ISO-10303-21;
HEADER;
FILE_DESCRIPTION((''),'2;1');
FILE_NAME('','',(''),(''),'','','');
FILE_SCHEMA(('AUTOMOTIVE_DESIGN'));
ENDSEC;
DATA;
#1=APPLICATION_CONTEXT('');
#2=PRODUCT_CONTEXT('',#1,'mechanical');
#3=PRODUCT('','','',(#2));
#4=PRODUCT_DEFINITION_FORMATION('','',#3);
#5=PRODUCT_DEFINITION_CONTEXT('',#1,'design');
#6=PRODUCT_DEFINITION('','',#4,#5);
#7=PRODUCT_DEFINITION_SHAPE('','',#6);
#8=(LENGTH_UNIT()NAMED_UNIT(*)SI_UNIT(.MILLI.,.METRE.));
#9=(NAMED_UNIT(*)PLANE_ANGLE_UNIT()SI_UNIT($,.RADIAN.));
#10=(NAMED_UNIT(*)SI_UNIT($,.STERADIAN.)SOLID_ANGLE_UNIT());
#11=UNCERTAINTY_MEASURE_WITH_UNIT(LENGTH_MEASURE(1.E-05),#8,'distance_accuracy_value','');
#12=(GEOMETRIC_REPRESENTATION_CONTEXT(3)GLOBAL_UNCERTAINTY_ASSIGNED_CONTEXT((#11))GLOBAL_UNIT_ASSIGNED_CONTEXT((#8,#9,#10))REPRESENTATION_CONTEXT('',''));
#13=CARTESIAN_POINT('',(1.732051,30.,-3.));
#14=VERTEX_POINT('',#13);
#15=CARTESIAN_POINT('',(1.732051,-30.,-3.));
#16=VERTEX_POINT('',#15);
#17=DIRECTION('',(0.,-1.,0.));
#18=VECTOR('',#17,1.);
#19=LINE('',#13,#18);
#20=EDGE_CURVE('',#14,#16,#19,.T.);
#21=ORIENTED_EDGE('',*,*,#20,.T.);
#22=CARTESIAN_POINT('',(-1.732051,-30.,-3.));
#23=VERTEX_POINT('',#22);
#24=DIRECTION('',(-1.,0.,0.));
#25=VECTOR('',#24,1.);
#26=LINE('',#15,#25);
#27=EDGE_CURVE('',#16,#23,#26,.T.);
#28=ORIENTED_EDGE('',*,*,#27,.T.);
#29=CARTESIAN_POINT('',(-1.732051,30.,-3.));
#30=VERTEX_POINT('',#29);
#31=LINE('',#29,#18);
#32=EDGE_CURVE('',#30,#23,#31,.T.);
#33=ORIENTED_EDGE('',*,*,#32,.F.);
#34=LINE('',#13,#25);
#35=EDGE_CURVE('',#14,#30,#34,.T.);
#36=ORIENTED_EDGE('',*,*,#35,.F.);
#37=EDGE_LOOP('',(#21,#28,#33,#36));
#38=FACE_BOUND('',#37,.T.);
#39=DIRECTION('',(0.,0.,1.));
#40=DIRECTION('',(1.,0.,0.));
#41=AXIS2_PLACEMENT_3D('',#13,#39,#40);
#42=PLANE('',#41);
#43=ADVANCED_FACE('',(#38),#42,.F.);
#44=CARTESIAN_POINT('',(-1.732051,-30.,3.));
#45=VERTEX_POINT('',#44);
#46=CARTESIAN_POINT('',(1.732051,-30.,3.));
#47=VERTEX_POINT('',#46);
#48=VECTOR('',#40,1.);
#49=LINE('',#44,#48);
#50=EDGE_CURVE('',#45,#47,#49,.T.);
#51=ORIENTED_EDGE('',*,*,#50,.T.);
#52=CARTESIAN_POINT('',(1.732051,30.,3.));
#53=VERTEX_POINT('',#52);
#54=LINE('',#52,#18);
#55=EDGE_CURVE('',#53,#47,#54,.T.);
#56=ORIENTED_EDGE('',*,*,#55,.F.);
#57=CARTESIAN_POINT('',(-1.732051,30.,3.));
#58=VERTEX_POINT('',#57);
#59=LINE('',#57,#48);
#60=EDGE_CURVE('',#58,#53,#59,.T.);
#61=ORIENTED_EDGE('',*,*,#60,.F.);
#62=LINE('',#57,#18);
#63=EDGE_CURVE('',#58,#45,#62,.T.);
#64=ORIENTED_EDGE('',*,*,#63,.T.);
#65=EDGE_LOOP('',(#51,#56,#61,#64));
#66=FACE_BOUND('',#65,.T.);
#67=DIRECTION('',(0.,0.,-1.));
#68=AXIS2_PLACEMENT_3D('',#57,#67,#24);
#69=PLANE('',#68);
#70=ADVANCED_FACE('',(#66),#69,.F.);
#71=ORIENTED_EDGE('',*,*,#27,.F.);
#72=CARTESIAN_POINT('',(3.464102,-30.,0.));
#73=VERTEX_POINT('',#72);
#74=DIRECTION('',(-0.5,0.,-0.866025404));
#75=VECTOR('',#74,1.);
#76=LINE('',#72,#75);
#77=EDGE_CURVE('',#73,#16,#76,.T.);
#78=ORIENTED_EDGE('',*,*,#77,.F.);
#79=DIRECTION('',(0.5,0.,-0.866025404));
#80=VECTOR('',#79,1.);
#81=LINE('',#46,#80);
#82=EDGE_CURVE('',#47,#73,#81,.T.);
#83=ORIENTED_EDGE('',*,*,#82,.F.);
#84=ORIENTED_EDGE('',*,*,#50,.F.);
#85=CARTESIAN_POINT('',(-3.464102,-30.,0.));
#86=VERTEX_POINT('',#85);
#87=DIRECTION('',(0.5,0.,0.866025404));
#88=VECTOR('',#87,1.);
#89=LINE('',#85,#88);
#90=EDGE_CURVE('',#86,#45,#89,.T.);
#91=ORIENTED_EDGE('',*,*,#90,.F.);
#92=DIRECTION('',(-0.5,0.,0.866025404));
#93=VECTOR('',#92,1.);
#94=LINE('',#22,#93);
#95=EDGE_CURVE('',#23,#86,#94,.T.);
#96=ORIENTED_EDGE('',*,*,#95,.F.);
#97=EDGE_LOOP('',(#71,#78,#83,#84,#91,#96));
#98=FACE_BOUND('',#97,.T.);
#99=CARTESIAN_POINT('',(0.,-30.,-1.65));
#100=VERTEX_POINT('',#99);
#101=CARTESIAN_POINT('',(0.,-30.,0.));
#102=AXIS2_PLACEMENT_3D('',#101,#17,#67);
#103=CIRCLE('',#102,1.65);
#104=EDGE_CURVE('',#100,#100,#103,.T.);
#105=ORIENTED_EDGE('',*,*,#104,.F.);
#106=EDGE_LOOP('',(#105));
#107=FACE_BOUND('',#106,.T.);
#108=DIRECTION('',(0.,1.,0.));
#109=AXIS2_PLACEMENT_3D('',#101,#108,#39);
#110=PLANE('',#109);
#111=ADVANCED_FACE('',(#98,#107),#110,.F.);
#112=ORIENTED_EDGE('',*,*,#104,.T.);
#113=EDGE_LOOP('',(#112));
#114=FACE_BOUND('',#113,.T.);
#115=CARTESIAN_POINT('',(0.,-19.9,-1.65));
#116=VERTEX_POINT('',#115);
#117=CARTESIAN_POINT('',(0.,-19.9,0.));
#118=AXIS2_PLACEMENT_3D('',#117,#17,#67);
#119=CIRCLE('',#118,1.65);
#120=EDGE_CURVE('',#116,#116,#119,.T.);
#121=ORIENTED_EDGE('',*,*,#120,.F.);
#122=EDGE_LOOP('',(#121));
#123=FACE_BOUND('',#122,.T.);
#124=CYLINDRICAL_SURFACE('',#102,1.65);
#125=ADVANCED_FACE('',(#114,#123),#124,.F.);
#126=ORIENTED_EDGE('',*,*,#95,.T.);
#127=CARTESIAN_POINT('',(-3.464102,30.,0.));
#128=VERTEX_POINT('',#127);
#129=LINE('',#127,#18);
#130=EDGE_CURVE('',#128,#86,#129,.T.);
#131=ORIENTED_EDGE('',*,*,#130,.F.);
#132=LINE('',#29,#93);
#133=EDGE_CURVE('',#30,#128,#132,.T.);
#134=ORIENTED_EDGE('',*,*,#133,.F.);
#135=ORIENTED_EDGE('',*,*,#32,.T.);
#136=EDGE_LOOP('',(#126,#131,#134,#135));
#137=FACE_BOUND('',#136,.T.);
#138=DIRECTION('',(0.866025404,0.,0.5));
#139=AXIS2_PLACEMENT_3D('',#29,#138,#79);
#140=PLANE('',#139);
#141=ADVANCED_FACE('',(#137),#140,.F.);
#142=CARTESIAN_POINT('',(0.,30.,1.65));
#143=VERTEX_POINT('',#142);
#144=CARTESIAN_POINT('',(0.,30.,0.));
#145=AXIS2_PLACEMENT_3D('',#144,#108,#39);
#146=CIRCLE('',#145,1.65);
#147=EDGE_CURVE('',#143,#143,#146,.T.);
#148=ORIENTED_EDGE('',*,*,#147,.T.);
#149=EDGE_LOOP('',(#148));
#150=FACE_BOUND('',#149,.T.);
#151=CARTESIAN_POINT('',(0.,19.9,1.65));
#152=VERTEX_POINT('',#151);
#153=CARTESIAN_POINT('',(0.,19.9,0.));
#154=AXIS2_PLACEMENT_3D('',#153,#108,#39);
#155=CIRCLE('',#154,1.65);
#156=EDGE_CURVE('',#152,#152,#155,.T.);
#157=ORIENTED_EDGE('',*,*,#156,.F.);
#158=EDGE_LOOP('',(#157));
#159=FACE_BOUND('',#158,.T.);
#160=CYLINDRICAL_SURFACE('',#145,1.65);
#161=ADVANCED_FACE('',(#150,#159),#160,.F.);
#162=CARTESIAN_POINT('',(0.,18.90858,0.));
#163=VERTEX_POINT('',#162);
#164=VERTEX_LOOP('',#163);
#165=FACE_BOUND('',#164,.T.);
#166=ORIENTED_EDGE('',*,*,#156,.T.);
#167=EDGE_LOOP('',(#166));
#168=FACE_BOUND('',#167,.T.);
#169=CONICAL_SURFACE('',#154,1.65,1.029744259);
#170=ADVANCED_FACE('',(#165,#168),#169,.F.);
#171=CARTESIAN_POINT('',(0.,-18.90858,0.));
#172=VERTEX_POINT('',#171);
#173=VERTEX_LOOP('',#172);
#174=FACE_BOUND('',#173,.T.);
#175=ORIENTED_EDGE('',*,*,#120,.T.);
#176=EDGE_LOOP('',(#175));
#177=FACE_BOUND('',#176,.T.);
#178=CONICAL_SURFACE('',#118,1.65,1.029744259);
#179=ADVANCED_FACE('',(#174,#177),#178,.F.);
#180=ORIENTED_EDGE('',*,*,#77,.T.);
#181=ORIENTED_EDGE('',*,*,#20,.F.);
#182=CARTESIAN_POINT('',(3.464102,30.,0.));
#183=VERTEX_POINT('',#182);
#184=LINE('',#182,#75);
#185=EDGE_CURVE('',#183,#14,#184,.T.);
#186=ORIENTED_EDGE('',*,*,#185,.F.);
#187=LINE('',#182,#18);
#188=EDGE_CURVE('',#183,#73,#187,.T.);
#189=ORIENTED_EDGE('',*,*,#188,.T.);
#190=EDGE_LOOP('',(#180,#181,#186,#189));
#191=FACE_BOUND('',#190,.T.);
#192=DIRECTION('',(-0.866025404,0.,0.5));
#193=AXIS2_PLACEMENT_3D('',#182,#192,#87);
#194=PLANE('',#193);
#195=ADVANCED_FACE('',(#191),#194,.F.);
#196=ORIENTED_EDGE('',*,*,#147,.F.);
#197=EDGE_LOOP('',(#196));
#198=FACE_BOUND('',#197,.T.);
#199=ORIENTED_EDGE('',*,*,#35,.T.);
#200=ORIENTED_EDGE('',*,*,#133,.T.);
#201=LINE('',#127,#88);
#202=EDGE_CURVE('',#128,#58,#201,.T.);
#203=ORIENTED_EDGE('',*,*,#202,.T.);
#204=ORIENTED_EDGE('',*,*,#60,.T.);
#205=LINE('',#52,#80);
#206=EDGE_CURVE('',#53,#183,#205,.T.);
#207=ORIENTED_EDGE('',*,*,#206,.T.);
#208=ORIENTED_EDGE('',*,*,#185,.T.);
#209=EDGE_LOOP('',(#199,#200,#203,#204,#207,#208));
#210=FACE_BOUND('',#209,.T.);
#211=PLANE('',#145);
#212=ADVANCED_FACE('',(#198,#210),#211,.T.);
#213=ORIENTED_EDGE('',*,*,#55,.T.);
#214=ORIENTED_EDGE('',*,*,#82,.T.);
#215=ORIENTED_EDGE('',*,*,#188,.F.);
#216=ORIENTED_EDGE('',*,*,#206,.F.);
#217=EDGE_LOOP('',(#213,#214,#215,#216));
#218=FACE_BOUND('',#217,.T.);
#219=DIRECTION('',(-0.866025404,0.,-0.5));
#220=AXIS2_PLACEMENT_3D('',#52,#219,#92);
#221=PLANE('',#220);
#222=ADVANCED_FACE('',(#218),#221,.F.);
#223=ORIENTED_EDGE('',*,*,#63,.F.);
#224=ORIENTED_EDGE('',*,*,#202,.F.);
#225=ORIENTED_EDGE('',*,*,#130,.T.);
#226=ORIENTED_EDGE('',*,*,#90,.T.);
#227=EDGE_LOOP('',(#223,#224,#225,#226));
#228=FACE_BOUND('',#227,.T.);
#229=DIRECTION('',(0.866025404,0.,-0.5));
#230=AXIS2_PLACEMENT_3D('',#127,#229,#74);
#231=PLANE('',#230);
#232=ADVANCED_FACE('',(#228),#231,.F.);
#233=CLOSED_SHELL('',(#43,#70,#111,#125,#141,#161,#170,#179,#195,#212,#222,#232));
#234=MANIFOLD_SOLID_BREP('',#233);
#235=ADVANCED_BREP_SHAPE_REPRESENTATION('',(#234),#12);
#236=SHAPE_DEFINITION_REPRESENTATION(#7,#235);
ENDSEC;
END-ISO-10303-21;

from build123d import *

# Parameters (mm, degrees)
EXTRUDE_1_DEPTH = 30


with BuildPart() as part:
    # 草图1 → 凸台-拉伸1 (new, symmetric)
    with BuildSketch(Plane(origin=(0, 0, 0), x_dir=(1, 0, 0), z_dir=(0, 1, 0))):
        Polygon((3.464101615, 0), (1.732050808, 3), (-1.732050808, 3), (-3.464101615, 0), (-1.732050808, -3), (1.732050808, -3), align=None)
    extrude(amount=EXTRUDE_1_DEPTH, both=True)

    # 草图3 → M4 螺纹孔1 (revolve, cut)
    with BuildSketch(Plane(origin=(0, 30, 0), x_dir=(0, 0, 1), z_dir=(1, 0, 0))):
        Polygon((0, 0), (0, 11.091420021), (1.65, 10.1), (1.65, 0), align=None)
    hole_wizard_m4_1 = revolve(axis=Axis((0, 36.35, 0), (0, -1, 0)), mode=Mode.SUBTRACT)

    # 镜向1: M4 螺纹孔1 across plane
    add(hole_wizard_m4_1.mirror(Plane.ZX), mode=Mode.SUBTRACT)


solid = part.part
